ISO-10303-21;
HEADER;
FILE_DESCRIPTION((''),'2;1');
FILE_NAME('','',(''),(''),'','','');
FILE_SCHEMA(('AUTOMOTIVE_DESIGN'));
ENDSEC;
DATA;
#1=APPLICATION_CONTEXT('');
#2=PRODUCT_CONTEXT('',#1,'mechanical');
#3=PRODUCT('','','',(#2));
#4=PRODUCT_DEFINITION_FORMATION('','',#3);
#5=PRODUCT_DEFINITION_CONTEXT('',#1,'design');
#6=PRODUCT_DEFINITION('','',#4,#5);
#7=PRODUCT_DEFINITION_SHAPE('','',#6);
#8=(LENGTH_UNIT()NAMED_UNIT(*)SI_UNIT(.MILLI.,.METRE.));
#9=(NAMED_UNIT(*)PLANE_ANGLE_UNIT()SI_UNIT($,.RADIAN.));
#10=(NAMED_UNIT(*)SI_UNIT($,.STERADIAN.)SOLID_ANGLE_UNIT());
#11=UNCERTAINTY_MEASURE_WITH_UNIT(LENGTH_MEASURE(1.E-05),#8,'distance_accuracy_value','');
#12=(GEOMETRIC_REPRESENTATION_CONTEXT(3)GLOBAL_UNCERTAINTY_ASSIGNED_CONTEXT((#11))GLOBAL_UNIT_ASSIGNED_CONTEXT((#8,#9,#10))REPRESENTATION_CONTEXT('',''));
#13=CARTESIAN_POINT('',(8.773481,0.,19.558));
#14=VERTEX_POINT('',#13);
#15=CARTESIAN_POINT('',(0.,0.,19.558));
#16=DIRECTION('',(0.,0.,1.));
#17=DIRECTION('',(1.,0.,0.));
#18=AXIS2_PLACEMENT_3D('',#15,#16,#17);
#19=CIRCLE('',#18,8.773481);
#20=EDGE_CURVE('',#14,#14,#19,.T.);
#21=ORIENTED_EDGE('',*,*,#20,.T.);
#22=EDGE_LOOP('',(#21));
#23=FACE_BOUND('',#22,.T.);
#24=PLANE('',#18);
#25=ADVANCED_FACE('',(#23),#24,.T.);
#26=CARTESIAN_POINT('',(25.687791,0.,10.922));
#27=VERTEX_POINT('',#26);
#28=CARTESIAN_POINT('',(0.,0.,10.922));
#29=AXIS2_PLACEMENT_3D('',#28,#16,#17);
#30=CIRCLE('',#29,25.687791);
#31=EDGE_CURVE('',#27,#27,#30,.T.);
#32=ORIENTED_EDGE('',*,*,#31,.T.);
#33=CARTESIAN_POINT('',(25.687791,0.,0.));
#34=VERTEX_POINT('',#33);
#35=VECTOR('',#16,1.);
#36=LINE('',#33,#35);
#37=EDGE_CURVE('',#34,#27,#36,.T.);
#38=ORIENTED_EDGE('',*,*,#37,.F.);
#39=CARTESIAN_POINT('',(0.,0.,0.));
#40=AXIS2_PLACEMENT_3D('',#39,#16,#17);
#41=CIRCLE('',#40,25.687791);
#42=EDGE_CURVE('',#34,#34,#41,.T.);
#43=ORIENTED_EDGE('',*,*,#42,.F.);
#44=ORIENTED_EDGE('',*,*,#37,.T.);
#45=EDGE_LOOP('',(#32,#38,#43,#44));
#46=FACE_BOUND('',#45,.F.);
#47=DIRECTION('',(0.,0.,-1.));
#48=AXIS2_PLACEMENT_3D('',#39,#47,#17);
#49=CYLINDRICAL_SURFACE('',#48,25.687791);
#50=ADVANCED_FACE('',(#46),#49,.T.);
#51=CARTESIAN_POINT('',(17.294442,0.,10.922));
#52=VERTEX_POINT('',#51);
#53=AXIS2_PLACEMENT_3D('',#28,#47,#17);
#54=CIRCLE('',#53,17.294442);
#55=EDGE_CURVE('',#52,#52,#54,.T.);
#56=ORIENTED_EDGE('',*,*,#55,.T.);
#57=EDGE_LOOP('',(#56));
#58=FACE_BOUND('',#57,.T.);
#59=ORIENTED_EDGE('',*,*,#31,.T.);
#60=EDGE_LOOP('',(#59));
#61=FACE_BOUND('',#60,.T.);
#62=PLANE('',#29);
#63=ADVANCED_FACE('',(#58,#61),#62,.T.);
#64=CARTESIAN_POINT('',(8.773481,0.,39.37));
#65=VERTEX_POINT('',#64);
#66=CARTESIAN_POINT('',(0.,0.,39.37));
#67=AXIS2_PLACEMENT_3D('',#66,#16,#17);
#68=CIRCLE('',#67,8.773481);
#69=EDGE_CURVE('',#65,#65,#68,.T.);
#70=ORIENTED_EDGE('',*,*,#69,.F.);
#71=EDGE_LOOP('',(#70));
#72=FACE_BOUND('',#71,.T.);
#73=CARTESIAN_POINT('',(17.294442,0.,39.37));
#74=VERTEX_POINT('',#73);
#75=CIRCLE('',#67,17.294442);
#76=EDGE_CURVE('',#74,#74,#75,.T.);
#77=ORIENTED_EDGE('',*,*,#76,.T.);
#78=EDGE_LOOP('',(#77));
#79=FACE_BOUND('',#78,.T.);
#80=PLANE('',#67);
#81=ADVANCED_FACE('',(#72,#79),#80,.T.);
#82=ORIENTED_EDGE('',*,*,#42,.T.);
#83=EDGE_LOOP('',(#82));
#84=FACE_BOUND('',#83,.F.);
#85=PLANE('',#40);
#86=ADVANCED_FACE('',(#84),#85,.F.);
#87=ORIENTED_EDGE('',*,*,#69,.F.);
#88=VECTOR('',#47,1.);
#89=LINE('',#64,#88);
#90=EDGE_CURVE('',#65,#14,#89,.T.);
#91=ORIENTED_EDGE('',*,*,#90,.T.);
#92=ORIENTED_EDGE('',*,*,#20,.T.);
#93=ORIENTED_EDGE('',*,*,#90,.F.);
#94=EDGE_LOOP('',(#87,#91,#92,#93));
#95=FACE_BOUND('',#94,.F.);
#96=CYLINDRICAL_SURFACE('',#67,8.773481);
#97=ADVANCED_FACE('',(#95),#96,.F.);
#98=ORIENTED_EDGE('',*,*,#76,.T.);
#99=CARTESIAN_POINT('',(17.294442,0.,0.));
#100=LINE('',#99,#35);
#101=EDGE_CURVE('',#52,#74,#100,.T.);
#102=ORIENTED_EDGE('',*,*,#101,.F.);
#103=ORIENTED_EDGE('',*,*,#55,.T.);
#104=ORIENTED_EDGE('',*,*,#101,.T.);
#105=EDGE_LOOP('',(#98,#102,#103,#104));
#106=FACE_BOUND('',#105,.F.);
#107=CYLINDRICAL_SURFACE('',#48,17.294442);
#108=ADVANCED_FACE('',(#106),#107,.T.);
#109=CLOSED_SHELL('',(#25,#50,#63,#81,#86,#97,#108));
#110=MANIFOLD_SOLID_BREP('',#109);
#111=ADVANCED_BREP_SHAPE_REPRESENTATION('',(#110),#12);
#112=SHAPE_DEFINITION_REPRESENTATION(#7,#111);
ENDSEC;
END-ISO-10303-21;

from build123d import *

# Parameters (mm, degrees)
F0_R     = 25.687791
F0_R_2   = 17.294442
F1_DEPTH = 10.922
F2_DEPTH = 39.37
F3_R     = 8.773481
F4_DEPTH = 19.812


with BuildPart() as f1:
    # F0 (on Top) → F1 (new body)
    with BuildSketch(Plane.XY):
        Circle(F0_R)
        Circle(F0_R_2, mode=Mode.SUBTRACT)
        Circle(F0_R_2)
    extrude(amount=F1_DEPTH)

    # F0 (on Top) → F2 (join)
    with BuildSketch(Plane.XY):
        Circle(F0_R_2)
    extrude(amount=F2_DEPTH)

    # F3 (on face) → F4 (cut)
    with BuildSketch(Plane.XY.offset(39.37)):
        Circle(F3_R)
    extrude(amount=-F4_DEPTH, mode=Mode.SUBTRACT)


solid = f1.part
